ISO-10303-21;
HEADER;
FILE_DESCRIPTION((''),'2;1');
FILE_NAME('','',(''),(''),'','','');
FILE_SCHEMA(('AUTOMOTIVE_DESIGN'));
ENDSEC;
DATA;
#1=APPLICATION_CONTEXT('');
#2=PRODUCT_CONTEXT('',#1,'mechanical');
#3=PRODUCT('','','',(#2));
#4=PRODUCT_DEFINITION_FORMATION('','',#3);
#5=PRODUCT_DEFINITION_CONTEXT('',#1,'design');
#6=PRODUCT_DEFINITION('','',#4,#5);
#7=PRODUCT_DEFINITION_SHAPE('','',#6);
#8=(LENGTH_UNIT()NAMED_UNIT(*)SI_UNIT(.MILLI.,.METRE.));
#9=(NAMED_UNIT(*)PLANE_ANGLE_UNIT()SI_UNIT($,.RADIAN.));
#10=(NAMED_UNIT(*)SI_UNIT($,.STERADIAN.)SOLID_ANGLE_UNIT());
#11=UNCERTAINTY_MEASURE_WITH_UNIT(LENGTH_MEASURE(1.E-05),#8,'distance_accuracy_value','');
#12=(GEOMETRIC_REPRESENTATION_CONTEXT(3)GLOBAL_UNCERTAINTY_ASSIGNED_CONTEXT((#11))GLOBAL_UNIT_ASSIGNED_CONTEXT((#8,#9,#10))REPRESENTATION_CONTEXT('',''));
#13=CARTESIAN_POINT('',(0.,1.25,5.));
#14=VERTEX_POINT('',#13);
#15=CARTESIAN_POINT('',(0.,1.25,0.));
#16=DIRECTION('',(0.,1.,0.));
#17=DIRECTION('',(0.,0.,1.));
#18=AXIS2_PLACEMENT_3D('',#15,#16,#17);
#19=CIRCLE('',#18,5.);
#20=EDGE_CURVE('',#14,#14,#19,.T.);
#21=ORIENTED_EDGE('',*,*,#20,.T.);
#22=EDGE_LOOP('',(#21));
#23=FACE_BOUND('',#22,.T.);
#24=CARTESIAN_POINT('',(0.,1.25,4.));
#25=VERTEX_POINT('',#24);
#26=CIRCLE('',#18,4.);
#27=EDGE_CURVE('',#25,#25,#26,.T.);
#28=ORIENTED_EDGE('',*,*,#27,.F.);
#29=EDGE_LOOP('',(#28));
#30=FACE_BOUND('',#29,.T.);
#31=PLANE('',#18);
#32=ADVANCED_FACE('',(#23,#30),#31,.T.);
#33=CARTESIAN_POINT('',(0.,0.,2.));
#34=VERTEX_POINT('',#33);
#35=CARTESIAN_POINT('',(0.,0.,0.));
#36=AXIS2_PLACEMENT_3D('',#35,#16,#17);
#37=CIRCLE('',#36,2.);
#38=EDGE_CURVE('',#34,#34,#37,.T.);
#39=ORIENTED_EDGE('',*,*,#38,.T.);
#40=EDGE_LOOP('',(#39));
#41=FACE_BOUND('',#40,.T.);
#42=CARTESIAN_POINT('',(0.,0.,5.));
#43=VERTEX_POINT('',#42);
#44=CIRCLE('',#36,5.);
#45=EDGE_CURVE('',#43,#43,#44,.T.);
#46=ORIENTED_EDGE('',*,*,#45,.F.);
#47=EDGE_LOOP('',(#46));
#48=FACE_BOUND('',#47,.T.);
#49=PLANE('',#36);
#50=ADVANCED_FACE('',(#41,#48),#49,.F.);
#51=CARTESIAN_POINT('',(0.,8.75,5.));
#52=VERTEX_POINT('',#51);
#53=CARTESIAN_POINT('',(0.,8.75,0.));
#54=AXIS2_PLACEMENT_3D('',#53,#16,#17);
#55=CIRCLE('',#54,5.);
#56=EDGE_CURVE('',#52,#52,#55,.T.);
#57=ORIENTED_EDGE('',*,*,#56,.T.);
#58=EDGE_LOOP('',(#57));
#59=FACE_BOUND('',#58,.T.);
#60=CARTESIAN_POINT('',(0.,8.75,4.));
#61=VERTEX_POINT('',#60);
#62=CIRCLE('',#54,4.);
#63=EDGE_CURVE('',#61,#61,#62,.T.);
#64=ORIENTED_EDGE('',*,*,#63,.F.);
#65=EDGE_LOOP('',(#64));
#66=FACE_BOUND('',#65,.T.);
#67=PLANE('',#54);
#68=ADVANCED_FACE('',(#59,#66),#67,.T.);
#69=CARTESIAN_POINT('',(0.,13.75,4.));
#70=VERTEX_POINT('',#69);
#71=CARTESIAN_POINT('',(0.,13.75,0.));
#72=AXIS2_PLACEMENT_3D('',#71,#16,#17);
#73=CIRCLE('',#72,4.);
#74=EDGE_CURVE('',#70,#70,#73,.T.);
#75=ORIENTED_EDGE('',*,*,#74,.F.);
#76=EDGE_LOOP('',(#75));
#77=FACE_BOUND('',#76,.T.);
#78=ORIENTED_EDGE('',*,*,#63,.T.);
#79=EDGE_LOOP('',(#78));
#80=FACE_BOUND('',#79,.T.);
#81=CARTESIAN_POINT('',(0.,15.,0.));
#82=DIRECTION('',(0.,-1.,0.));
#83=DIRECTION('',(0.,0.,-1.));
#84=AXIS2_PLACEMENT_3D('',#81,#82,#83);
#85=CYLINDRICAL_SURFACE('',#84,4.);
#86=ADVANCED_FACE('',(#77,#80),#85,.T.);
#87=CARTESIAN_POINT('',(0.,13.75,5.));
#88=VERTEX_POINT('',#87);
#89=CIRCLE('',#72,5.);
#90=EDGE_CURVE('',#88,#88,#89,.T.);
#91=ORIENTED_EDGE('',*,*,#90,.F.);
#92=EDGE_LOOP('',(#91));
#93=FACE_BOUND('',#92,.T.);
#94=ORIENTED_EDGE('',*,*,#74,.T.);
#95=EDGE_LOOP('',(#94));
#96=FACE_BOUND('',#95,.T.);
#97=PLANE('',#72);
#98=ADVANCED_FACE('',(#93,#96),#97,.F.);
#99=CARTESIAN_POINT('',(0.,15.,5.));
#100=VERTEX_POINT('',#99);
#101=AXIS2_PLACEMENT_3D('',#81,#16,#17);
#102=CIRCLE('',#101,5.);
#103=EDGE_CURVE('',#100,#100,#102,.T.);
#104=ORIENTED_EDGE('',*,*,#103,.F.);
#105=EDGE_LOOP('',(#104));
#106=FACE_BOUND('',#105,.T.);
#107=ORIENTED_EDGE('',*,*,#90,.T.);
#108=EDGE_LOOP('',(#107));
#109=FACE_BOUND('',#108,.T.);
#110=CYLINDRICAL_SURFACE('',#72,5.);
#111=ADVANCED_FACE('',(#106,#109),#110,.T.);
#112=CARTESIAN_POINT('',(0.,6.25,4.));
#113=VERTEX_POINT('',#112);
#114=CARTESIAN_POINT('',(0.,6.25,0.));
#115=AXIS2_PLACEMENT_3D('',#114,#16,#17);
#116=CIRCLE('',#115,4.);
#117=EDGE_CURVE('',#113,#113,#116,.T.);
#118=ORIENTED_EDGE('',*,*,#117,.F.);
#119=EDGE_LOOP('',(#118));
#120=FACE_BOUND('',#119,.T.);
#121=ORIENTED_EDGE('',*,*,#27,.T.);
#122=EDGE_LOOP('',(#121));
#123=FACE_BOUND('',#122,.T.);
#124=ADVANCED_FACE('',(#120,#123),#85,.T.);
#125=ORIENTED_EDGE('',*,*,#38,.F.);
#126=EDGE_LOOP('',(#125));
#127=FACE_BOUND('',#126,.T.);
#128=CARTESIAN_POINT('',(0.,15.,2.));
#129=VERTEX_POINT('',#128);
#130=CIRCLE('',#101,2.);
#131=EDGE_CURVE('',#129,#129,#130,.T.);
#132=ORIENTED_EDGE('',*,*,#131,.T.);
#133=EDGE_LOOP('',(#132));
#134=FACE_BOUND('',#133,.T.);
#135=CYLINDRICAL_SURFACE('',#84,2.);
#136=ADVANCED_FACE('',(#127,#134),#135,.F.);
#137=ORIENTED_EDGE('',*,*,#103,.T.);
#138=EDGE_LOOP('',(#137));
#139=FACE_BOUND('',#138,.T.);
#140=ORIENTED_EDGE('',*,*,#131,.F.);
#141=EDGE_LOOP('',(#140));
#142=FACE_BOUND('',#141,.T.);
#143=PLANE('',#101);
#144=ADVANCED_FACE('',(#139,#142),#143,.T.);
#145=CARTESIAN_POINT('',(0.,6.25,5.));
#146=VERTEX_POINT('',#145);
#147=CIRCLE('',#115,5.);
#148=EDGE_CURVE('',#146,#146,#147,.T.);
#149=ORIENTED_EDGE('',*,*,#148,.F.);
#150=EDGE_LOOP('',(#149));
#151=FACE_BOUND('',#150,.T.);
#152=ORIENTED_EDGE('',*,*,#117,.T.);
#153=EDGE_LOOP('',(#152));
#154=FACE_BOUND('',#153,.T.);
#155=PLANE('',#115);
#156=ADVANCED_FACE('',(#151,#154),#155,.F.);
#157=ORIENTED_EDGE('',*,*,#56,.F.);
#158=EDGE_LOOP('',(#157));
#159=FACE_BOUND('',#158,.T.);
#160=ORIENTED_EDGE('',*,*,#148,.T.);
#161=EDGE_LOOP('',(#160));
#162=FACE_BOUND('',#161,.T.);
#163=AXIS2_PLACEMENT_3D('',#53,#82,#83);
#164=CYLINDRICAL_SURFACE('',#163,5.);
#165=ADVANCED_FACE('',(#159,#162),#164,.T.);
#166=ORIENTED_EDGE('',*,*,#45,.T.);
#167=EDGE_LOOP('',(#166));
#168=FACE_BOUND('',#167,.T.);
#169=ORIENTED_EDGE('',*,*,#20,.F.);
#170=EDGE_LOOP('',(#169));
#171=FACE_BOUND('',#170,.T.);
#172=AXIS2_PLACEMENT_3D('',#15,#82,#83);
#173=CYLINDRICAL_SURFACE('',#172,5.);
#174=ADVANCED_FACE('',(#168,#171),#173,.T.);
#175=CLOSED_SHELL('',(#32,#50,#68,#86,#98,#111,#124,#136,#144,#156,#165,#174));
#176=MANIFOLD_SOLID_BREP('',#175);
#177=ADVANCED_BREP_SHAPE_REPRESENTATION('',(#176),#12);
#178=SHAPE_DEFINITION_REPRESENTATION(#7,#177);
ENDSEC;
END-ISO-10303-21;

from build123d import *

# Parameters (mm, degrees)
ESQUISSE1_R        = 4
ESQUISSE1_R_2      = 2
BOSS_EXTRU_1_DEPTH = 15
ESQUISSE2_R        = 5
ESQUISSE2_R_2      = 2
BOSS_EXTRU_2_DEPTH = 1.25
ESQUISSE3_R        = 5
ESQUISSE3_R_2      = 2
BOSS_EXTRU_3_DEPTH = 2.5
BOSS_EXTRU_5_START = -1.25
ESQUISSE5_R        = 5
ESQUISSE5_R_2      = 2
BOSS_EXTRU_5_DEPTH = 1.25


with BuildPart() as part:
    # Esquisse1 → Boss.-Extru.1 (new body)
    with BuildSketch(Plane(origin=(0, 0, 0), x_dir=(1, 0, 0), z_dir=(0, 1, 0))):
        with Locations(Location((0, 0, 0), (0, 0, 270))):
            Circle(ESQUISSE1_R)
        with Locations(Location((0, 0, 0), (0, 0, 270))):
            Circle(ESQUISSE1_R_2, mode=Mode.SUBTRACT)
    extrude(amount=BOSS_EXTRU_1_DEPTH)

    # Esquisse2 → Boss.-Extru.2 (add)
    with BuildSketch(Plane(origin=(0, 0, 0), x_dir=(1, 0, 0), z_dir=(0, 1, 0))):
        with Locations(Location((0, 0, 0), (0, 0, 270))):
            Circle(ESQUISSE2_R)
        with Locations(Location((0, 0, 0), (0, 0, 270))):
            Circle(ESQUISSE2_R_2, mode=Mode.SUBTRACT)
    extrude(amount=BOSS_EXTRU_2_DEPTH)

    # Esquisse3 → Boss.-Extru.3 (add)
    with BuildSketch(Plane(origin=(0, 6.25, 0), x_dir=(1, 0, 0), z_dir=(0, 1, 0))):
        with Locations(Location((0, 0, 0), (0, 0, 270))):
            Circle(ESQUISSE3_R)
        with Locations(Location((0, 0, 0), (0, 0, 270))):
            Circle(ESQUISSE3_R_2, mode=Mode.SUBTRACT)
    extrude(amount=BOSS_EXTRU_3_DEPTH)

    # Esquisse5 → Boss.-Extru.5 (add)
    with BuildSketch(Plane(origin=(0, 15, 0), x_dir=(1, 0, 0), z_dir=(0, 1, 0)).offset(BOSS_EXTRU_5_START)):
        with Locations(Location((0, 0, 0), (0, 0, 270))):
            Circle(ESQUISSE5_R)
        with Locations(Location((0, 0, 0), (0, 0, 270))):
            Circle(ESQUISSE5_R_2, mode=Mode.SUBTRACT)
    extrude(amount=BOSS_EXTRU_5_DEPTH)


solid = part.part
